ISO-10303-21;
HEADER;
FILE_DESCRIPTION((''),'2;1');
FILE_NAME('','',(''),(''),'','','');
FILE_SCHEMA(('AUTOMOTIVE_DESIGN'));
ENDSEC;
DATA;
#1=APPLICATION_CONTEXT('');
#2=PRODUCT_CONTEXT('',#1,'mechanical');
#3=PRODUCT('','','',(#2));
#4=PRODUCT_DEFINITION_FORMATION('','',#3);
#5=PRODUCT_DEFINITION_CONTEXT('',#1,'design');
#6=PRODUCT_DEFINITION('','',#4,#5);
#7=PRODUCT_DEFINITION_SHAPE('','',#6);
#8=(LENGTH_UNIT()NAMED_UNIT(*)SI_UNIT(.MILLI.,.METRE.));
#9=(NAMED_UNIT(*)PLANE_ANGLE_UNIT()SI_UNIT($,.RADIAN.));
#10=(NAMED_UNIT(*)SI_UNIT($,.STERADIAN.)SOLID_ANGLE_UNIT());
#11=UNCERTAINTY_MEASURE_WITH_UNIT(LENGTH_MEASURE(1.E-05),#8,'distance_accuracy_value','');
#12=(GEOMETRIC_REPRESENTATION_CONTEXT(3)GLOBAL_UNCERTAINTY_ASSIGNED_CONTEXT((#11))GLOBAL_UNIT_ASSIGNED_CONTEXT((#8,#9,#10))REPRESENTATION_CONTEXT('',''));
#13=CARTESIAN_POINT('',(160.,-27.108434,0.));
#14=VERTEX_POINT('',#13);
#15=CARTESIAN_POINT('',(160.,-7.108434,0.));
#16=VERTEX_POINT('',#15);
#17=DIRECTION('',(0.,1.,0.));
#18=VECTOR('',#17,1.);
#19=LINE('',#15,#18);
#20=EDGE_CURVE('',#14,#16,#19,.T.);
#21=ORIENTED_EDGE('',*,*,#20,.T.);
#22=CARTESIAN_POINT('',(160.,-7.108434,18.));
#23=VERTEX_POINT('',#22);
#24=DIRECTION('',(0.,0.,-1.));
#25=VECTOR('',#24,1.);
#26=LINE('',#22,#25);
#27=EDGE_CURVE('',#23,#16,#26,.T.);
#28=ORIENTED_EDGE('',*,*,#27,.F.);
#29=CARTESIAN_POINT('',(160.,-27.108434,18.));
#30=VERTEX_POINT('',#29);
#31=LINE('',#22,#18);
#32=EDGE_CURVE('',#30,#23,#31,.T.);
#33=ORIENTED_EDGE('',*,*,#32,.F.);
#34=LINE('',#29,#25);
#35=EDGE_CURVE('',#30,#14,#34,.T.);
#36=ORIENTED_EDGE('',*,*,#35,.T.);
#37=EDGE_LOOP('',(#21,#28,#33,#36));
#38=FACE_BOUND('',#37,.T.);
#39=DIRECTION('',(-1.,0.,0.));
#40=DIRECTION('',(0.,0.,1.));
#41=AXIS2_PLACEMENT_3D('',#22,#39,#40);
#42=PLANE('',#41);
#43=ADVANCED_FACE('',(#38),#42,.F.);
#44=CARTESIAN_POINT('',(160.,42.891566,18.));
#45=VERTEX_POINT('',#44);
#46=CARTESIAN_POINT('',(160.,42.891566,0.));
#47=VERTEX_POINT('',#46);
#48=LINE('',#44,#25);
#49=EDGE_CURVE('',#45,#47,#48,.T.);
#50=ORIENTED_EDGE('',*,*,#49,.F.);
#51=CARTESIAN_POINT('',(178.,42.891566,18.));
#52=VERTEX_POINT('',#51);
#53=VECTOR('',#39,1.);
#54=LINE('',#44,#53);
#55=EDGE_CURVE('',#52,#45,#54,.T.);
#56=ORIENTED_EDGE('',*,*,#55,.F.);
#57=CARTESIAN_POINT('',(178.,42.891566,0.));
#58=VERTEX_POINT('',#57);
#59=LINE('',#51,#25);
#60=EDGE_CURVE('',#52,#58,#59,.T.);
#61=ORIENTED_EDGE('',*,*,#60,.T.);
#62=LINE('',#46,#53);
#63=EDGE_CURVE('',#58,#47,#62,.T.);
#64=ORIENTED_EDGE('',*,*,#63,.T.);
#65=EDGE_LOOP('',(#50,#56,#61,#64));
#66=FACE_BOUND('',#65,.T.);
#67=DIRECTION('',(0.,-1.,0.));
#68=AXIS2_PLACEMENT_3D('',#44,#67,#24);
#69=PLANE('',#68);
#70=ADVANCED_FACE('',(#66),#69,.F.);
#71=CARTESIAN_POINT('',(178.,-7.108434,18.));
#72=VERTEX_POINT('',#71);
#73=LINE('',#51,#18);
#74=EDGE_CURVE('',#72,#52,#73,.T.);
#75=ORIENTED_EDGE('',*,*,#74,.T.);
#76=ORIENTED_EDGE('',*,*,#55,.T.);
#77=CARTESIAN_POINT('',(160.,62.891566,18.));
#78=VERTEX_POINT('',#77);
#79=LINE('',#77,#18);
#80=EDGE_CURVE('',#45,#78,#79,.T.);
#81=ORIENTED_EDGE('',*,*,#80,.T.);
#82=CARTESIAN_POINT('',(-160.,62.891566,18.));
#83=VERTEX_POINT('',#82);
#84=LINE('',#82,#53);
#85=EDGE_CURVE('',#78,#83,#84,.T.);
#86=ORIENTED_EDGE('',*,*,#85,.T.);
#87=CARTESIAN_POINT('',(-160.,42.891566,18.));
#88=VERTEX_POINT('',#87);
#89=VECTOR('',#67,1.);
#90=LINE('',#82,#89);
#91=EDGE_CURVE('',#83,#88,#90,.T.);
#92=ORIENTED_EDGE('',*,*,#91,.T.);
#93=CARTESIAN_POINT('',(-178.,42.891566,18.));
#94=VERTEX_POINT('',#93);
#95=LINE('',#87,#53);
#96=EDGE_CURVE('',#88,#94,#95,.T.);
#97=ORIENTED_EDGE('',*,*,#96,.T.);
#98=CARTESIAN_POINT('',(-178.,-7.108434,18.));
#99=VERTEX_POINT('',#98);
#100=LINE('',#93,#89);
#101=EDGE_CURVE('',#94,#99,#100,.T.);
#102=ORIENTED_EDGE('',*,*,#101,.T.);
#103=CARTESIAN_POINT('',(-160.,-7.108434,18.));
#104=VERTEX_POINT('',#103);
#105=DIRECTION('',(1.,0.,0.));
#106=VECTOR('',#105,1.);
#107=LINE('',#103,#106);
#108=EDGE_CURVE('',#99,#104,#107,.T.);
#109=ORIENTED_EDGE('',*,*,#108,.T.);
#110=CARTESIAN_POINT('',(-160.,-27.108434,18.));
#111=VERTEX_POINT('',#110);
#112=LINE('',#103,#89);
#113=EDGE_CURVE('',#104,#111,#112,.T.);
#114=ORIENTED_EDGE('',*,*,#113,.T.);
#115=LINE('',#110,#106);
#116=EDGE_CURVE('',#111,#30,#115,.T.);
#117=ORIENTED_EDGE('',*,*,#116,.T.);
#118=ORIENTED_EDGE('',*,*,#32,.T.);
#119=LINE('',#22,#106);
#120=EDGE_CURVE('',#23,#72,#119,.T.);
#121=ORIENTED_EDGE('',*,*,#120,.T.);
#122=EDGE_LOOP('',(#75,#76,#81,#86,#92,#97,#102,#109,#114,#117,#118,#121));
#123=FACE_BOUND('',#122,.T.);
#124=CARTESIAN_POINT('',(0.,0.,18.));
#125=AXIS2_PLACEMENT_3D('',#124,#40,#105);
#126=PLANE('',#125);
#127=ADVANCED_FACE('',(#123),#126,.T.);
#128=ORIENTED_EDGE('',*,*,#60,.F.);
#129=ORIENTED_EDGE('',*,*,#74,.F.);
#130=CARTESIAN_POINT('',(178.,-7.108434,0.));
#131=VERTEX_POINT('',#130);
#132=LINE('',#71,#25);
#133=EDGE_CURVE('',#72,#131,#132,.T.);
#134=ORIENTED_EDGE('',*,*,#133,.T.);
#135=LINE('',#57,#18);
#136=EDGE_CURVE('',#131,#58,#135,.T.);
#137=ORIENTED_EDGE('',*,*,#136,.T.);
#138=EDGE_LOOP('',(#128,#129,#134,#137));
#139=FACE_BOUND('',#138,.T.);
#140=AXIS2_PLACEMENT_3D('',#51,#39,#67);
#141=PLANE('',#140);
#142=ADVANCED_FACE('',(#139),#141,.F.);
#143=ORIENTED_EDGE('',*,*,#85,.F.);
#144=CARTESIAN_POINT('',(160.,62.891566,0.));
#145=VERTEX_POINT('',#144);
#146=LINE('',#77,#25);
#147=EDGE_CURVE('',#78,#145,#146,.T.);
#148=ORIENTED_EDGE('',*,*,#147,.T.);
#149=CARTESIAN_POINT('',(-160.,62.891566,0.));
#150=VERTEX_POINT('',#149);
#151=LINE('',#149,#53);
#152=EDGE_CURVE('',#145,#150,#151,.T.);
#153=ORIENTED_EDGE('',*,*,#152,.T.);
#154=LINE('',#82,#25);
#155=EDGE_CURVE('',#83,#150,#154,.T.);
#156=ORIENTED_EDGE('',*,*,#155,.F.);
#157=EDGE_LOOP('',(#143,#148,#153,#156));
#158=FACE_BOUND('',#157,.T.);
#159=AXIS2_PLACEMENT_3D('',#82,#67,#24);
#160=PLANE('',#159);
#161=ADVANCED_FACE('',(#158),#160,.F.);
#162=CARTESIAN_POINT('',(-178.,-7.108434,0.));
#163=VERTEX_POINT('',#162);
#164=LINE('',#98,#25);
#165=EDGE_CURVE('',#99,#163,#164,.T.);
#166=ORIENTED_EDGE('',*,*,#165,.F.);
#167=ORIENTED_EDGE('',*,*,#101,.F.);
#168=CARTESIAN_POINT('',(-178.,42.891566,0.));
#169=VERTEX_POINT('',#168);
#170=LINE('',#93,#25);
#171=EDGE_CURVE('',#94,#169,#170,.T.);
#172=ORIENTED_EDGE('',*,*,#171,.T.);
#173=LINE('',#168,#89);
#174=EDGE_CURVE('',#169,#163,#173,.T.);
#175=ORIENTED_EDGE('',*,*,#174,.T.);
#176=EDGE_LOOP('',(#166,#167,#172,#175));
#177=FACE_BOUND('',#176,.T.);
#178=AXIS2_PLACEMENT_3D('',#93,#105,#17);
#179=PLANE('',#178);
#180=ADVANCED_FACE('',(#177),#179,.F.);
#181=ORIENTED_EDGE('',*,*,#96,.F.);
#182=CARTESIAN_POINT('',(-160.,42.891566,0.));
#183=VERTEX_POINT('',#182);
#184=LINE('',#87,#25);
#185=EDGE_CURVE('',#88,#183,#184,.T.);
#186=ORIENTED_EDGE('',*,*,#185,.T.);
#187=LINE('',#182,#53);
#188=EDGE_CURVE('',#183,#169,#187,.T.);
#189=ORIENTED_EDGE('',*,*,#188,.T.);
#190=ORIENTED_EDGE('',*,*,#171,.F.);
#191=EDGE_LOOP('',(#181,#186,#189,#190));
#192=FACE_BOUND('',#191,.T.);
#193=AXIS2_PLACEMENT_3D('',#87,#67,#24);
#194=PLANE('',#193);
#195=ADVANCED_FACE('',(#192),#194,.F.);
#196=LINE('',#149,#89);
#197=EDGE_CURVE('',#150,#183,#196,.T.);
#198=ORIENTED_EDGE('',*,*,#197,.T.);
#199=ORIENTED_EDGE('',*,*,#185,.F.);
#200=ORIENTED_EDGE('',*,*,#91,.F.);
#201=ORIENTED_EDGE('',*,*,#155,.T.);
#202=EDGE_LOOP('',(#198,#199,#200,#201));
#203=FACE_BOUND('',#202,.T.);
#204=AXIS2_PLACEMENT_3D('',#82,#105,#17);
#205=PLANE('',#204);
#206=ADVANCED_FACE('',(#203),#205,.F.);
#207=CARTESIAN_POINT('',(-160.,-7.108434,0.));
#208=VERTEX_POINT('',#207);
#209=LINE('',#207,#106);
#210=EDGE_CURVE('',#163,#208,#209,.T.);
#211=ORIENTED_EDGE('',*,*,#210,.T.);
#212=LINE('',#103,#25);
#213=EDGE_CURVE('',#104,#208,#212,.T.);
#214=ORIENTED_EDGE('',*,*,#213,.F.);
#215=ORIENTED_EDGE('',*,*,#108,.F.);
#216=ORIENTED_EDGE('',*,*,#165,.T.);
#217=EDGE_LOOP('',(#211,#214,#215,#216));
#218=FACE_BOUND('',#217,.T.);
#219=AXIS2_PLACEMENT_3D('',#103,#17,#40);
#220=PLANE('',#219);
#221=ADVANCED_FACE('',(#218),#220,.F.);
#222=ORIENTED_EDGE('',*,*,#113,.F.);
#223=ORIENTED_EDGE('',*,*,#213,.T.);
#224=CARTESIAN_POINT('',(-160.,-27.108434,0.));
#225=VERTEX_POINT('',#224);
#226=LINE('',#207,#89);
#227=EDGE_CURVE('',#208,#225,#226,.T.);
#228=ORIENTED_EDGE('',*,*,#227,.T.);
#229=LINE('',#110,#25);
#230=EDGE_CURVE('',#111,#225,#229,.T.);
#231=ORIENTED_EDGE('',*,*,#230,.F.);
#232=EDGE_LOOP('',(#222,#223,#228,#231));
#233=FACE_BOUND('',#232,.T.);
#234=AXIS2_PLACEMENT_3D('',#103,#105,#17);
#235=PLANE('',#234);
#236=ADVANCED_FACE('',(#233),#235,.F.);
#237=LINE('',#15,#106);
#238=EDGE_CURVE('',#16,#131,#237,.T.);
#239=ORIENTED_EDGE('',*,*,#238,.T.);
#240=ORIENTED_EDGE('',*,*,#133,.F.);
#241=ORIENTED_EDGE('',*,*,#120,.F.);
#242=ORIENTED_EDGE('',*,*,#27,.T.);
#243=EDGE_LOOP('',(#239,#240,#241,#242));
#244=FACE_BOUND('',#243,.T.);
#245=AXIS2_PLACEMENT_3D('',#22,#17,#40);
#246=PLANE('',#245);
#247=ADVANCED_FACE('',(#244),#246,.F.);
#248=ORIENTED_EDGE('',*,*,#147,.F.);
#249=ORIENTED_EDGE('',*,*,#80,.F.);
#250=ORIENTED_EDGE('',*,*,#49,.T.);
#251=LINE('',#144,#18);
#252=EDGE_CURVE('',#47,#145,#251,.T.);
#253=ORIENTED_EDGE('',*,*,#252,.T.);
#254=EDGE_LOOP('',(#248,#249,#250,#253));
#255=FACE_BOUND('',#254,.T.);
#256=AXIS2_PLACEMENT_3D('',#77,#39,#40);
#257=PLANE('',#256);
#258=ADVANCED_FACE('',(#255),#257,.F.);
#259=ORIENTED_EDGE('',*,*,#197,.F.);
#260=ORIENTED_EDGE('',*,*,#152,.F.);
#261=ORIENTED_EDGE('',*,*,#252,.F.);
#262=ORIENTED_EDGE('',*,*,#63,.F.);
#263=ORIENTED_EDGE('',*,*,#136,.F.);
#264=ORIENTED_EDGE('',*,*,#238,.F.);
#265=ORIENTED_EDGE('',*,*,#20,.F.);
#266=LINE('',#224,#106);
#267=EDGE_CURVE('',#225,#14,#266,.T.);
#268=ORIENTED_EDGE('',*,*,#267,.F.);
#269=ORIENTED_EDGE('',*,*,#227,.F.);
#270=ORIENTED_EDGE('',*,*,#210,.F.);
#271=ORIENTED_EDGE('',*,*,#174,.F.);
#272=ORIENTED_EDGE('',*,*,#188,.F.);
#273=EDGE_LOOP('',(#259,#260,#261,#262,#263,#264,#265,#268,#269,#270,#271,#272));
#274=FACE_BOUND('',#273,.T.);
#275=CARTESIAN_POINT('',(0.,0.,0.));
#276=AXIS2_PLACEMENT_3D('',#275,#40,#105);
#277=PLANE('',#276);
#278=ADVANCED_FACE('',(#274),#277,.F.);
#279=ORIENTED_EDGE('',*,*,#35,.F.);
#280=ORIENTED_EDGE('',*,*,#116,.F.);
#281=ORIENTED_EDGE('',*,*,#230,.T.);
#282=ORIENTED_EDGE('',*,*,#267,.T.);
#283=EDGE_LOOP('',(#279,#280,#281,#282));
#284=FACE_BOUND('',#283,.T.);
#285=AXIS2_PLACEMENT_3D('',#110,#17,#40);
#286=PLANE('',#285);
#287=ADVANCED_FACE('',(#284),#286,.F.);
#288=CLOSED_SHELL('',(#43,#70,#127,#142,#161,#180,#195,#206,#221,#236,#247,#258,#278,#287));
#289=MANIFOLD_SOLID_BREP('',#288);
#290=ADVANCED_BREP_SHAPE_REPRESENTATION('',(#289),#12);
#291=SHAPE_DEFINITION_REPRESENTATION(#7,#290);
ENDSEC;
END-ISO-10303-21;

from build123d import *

# Parameters (mm, degrees)
BOSS_EXTRUDE1_DEPTH = 18


with BuildPart() as part:
    # Sketch1 → Boss-Extrude1 (new body)
    with BuildSketch(Plane.XY):
        Polygon((-160, 62.891566265), (160, 62.891566265), (160, 42.891566265), (178, 42.891566265), (178, -7.108433735), (160, -7.108433735), (160, -27.108433735), (-160, -27.108433735), (-160, -7.108433735), (-178, -7.108433735), (-178, 42.891566265), (-160, 42.891566265), align=None)
    extrude(amount=BOSS_EXTRUDE1_DEPTH)


solid = part.part
